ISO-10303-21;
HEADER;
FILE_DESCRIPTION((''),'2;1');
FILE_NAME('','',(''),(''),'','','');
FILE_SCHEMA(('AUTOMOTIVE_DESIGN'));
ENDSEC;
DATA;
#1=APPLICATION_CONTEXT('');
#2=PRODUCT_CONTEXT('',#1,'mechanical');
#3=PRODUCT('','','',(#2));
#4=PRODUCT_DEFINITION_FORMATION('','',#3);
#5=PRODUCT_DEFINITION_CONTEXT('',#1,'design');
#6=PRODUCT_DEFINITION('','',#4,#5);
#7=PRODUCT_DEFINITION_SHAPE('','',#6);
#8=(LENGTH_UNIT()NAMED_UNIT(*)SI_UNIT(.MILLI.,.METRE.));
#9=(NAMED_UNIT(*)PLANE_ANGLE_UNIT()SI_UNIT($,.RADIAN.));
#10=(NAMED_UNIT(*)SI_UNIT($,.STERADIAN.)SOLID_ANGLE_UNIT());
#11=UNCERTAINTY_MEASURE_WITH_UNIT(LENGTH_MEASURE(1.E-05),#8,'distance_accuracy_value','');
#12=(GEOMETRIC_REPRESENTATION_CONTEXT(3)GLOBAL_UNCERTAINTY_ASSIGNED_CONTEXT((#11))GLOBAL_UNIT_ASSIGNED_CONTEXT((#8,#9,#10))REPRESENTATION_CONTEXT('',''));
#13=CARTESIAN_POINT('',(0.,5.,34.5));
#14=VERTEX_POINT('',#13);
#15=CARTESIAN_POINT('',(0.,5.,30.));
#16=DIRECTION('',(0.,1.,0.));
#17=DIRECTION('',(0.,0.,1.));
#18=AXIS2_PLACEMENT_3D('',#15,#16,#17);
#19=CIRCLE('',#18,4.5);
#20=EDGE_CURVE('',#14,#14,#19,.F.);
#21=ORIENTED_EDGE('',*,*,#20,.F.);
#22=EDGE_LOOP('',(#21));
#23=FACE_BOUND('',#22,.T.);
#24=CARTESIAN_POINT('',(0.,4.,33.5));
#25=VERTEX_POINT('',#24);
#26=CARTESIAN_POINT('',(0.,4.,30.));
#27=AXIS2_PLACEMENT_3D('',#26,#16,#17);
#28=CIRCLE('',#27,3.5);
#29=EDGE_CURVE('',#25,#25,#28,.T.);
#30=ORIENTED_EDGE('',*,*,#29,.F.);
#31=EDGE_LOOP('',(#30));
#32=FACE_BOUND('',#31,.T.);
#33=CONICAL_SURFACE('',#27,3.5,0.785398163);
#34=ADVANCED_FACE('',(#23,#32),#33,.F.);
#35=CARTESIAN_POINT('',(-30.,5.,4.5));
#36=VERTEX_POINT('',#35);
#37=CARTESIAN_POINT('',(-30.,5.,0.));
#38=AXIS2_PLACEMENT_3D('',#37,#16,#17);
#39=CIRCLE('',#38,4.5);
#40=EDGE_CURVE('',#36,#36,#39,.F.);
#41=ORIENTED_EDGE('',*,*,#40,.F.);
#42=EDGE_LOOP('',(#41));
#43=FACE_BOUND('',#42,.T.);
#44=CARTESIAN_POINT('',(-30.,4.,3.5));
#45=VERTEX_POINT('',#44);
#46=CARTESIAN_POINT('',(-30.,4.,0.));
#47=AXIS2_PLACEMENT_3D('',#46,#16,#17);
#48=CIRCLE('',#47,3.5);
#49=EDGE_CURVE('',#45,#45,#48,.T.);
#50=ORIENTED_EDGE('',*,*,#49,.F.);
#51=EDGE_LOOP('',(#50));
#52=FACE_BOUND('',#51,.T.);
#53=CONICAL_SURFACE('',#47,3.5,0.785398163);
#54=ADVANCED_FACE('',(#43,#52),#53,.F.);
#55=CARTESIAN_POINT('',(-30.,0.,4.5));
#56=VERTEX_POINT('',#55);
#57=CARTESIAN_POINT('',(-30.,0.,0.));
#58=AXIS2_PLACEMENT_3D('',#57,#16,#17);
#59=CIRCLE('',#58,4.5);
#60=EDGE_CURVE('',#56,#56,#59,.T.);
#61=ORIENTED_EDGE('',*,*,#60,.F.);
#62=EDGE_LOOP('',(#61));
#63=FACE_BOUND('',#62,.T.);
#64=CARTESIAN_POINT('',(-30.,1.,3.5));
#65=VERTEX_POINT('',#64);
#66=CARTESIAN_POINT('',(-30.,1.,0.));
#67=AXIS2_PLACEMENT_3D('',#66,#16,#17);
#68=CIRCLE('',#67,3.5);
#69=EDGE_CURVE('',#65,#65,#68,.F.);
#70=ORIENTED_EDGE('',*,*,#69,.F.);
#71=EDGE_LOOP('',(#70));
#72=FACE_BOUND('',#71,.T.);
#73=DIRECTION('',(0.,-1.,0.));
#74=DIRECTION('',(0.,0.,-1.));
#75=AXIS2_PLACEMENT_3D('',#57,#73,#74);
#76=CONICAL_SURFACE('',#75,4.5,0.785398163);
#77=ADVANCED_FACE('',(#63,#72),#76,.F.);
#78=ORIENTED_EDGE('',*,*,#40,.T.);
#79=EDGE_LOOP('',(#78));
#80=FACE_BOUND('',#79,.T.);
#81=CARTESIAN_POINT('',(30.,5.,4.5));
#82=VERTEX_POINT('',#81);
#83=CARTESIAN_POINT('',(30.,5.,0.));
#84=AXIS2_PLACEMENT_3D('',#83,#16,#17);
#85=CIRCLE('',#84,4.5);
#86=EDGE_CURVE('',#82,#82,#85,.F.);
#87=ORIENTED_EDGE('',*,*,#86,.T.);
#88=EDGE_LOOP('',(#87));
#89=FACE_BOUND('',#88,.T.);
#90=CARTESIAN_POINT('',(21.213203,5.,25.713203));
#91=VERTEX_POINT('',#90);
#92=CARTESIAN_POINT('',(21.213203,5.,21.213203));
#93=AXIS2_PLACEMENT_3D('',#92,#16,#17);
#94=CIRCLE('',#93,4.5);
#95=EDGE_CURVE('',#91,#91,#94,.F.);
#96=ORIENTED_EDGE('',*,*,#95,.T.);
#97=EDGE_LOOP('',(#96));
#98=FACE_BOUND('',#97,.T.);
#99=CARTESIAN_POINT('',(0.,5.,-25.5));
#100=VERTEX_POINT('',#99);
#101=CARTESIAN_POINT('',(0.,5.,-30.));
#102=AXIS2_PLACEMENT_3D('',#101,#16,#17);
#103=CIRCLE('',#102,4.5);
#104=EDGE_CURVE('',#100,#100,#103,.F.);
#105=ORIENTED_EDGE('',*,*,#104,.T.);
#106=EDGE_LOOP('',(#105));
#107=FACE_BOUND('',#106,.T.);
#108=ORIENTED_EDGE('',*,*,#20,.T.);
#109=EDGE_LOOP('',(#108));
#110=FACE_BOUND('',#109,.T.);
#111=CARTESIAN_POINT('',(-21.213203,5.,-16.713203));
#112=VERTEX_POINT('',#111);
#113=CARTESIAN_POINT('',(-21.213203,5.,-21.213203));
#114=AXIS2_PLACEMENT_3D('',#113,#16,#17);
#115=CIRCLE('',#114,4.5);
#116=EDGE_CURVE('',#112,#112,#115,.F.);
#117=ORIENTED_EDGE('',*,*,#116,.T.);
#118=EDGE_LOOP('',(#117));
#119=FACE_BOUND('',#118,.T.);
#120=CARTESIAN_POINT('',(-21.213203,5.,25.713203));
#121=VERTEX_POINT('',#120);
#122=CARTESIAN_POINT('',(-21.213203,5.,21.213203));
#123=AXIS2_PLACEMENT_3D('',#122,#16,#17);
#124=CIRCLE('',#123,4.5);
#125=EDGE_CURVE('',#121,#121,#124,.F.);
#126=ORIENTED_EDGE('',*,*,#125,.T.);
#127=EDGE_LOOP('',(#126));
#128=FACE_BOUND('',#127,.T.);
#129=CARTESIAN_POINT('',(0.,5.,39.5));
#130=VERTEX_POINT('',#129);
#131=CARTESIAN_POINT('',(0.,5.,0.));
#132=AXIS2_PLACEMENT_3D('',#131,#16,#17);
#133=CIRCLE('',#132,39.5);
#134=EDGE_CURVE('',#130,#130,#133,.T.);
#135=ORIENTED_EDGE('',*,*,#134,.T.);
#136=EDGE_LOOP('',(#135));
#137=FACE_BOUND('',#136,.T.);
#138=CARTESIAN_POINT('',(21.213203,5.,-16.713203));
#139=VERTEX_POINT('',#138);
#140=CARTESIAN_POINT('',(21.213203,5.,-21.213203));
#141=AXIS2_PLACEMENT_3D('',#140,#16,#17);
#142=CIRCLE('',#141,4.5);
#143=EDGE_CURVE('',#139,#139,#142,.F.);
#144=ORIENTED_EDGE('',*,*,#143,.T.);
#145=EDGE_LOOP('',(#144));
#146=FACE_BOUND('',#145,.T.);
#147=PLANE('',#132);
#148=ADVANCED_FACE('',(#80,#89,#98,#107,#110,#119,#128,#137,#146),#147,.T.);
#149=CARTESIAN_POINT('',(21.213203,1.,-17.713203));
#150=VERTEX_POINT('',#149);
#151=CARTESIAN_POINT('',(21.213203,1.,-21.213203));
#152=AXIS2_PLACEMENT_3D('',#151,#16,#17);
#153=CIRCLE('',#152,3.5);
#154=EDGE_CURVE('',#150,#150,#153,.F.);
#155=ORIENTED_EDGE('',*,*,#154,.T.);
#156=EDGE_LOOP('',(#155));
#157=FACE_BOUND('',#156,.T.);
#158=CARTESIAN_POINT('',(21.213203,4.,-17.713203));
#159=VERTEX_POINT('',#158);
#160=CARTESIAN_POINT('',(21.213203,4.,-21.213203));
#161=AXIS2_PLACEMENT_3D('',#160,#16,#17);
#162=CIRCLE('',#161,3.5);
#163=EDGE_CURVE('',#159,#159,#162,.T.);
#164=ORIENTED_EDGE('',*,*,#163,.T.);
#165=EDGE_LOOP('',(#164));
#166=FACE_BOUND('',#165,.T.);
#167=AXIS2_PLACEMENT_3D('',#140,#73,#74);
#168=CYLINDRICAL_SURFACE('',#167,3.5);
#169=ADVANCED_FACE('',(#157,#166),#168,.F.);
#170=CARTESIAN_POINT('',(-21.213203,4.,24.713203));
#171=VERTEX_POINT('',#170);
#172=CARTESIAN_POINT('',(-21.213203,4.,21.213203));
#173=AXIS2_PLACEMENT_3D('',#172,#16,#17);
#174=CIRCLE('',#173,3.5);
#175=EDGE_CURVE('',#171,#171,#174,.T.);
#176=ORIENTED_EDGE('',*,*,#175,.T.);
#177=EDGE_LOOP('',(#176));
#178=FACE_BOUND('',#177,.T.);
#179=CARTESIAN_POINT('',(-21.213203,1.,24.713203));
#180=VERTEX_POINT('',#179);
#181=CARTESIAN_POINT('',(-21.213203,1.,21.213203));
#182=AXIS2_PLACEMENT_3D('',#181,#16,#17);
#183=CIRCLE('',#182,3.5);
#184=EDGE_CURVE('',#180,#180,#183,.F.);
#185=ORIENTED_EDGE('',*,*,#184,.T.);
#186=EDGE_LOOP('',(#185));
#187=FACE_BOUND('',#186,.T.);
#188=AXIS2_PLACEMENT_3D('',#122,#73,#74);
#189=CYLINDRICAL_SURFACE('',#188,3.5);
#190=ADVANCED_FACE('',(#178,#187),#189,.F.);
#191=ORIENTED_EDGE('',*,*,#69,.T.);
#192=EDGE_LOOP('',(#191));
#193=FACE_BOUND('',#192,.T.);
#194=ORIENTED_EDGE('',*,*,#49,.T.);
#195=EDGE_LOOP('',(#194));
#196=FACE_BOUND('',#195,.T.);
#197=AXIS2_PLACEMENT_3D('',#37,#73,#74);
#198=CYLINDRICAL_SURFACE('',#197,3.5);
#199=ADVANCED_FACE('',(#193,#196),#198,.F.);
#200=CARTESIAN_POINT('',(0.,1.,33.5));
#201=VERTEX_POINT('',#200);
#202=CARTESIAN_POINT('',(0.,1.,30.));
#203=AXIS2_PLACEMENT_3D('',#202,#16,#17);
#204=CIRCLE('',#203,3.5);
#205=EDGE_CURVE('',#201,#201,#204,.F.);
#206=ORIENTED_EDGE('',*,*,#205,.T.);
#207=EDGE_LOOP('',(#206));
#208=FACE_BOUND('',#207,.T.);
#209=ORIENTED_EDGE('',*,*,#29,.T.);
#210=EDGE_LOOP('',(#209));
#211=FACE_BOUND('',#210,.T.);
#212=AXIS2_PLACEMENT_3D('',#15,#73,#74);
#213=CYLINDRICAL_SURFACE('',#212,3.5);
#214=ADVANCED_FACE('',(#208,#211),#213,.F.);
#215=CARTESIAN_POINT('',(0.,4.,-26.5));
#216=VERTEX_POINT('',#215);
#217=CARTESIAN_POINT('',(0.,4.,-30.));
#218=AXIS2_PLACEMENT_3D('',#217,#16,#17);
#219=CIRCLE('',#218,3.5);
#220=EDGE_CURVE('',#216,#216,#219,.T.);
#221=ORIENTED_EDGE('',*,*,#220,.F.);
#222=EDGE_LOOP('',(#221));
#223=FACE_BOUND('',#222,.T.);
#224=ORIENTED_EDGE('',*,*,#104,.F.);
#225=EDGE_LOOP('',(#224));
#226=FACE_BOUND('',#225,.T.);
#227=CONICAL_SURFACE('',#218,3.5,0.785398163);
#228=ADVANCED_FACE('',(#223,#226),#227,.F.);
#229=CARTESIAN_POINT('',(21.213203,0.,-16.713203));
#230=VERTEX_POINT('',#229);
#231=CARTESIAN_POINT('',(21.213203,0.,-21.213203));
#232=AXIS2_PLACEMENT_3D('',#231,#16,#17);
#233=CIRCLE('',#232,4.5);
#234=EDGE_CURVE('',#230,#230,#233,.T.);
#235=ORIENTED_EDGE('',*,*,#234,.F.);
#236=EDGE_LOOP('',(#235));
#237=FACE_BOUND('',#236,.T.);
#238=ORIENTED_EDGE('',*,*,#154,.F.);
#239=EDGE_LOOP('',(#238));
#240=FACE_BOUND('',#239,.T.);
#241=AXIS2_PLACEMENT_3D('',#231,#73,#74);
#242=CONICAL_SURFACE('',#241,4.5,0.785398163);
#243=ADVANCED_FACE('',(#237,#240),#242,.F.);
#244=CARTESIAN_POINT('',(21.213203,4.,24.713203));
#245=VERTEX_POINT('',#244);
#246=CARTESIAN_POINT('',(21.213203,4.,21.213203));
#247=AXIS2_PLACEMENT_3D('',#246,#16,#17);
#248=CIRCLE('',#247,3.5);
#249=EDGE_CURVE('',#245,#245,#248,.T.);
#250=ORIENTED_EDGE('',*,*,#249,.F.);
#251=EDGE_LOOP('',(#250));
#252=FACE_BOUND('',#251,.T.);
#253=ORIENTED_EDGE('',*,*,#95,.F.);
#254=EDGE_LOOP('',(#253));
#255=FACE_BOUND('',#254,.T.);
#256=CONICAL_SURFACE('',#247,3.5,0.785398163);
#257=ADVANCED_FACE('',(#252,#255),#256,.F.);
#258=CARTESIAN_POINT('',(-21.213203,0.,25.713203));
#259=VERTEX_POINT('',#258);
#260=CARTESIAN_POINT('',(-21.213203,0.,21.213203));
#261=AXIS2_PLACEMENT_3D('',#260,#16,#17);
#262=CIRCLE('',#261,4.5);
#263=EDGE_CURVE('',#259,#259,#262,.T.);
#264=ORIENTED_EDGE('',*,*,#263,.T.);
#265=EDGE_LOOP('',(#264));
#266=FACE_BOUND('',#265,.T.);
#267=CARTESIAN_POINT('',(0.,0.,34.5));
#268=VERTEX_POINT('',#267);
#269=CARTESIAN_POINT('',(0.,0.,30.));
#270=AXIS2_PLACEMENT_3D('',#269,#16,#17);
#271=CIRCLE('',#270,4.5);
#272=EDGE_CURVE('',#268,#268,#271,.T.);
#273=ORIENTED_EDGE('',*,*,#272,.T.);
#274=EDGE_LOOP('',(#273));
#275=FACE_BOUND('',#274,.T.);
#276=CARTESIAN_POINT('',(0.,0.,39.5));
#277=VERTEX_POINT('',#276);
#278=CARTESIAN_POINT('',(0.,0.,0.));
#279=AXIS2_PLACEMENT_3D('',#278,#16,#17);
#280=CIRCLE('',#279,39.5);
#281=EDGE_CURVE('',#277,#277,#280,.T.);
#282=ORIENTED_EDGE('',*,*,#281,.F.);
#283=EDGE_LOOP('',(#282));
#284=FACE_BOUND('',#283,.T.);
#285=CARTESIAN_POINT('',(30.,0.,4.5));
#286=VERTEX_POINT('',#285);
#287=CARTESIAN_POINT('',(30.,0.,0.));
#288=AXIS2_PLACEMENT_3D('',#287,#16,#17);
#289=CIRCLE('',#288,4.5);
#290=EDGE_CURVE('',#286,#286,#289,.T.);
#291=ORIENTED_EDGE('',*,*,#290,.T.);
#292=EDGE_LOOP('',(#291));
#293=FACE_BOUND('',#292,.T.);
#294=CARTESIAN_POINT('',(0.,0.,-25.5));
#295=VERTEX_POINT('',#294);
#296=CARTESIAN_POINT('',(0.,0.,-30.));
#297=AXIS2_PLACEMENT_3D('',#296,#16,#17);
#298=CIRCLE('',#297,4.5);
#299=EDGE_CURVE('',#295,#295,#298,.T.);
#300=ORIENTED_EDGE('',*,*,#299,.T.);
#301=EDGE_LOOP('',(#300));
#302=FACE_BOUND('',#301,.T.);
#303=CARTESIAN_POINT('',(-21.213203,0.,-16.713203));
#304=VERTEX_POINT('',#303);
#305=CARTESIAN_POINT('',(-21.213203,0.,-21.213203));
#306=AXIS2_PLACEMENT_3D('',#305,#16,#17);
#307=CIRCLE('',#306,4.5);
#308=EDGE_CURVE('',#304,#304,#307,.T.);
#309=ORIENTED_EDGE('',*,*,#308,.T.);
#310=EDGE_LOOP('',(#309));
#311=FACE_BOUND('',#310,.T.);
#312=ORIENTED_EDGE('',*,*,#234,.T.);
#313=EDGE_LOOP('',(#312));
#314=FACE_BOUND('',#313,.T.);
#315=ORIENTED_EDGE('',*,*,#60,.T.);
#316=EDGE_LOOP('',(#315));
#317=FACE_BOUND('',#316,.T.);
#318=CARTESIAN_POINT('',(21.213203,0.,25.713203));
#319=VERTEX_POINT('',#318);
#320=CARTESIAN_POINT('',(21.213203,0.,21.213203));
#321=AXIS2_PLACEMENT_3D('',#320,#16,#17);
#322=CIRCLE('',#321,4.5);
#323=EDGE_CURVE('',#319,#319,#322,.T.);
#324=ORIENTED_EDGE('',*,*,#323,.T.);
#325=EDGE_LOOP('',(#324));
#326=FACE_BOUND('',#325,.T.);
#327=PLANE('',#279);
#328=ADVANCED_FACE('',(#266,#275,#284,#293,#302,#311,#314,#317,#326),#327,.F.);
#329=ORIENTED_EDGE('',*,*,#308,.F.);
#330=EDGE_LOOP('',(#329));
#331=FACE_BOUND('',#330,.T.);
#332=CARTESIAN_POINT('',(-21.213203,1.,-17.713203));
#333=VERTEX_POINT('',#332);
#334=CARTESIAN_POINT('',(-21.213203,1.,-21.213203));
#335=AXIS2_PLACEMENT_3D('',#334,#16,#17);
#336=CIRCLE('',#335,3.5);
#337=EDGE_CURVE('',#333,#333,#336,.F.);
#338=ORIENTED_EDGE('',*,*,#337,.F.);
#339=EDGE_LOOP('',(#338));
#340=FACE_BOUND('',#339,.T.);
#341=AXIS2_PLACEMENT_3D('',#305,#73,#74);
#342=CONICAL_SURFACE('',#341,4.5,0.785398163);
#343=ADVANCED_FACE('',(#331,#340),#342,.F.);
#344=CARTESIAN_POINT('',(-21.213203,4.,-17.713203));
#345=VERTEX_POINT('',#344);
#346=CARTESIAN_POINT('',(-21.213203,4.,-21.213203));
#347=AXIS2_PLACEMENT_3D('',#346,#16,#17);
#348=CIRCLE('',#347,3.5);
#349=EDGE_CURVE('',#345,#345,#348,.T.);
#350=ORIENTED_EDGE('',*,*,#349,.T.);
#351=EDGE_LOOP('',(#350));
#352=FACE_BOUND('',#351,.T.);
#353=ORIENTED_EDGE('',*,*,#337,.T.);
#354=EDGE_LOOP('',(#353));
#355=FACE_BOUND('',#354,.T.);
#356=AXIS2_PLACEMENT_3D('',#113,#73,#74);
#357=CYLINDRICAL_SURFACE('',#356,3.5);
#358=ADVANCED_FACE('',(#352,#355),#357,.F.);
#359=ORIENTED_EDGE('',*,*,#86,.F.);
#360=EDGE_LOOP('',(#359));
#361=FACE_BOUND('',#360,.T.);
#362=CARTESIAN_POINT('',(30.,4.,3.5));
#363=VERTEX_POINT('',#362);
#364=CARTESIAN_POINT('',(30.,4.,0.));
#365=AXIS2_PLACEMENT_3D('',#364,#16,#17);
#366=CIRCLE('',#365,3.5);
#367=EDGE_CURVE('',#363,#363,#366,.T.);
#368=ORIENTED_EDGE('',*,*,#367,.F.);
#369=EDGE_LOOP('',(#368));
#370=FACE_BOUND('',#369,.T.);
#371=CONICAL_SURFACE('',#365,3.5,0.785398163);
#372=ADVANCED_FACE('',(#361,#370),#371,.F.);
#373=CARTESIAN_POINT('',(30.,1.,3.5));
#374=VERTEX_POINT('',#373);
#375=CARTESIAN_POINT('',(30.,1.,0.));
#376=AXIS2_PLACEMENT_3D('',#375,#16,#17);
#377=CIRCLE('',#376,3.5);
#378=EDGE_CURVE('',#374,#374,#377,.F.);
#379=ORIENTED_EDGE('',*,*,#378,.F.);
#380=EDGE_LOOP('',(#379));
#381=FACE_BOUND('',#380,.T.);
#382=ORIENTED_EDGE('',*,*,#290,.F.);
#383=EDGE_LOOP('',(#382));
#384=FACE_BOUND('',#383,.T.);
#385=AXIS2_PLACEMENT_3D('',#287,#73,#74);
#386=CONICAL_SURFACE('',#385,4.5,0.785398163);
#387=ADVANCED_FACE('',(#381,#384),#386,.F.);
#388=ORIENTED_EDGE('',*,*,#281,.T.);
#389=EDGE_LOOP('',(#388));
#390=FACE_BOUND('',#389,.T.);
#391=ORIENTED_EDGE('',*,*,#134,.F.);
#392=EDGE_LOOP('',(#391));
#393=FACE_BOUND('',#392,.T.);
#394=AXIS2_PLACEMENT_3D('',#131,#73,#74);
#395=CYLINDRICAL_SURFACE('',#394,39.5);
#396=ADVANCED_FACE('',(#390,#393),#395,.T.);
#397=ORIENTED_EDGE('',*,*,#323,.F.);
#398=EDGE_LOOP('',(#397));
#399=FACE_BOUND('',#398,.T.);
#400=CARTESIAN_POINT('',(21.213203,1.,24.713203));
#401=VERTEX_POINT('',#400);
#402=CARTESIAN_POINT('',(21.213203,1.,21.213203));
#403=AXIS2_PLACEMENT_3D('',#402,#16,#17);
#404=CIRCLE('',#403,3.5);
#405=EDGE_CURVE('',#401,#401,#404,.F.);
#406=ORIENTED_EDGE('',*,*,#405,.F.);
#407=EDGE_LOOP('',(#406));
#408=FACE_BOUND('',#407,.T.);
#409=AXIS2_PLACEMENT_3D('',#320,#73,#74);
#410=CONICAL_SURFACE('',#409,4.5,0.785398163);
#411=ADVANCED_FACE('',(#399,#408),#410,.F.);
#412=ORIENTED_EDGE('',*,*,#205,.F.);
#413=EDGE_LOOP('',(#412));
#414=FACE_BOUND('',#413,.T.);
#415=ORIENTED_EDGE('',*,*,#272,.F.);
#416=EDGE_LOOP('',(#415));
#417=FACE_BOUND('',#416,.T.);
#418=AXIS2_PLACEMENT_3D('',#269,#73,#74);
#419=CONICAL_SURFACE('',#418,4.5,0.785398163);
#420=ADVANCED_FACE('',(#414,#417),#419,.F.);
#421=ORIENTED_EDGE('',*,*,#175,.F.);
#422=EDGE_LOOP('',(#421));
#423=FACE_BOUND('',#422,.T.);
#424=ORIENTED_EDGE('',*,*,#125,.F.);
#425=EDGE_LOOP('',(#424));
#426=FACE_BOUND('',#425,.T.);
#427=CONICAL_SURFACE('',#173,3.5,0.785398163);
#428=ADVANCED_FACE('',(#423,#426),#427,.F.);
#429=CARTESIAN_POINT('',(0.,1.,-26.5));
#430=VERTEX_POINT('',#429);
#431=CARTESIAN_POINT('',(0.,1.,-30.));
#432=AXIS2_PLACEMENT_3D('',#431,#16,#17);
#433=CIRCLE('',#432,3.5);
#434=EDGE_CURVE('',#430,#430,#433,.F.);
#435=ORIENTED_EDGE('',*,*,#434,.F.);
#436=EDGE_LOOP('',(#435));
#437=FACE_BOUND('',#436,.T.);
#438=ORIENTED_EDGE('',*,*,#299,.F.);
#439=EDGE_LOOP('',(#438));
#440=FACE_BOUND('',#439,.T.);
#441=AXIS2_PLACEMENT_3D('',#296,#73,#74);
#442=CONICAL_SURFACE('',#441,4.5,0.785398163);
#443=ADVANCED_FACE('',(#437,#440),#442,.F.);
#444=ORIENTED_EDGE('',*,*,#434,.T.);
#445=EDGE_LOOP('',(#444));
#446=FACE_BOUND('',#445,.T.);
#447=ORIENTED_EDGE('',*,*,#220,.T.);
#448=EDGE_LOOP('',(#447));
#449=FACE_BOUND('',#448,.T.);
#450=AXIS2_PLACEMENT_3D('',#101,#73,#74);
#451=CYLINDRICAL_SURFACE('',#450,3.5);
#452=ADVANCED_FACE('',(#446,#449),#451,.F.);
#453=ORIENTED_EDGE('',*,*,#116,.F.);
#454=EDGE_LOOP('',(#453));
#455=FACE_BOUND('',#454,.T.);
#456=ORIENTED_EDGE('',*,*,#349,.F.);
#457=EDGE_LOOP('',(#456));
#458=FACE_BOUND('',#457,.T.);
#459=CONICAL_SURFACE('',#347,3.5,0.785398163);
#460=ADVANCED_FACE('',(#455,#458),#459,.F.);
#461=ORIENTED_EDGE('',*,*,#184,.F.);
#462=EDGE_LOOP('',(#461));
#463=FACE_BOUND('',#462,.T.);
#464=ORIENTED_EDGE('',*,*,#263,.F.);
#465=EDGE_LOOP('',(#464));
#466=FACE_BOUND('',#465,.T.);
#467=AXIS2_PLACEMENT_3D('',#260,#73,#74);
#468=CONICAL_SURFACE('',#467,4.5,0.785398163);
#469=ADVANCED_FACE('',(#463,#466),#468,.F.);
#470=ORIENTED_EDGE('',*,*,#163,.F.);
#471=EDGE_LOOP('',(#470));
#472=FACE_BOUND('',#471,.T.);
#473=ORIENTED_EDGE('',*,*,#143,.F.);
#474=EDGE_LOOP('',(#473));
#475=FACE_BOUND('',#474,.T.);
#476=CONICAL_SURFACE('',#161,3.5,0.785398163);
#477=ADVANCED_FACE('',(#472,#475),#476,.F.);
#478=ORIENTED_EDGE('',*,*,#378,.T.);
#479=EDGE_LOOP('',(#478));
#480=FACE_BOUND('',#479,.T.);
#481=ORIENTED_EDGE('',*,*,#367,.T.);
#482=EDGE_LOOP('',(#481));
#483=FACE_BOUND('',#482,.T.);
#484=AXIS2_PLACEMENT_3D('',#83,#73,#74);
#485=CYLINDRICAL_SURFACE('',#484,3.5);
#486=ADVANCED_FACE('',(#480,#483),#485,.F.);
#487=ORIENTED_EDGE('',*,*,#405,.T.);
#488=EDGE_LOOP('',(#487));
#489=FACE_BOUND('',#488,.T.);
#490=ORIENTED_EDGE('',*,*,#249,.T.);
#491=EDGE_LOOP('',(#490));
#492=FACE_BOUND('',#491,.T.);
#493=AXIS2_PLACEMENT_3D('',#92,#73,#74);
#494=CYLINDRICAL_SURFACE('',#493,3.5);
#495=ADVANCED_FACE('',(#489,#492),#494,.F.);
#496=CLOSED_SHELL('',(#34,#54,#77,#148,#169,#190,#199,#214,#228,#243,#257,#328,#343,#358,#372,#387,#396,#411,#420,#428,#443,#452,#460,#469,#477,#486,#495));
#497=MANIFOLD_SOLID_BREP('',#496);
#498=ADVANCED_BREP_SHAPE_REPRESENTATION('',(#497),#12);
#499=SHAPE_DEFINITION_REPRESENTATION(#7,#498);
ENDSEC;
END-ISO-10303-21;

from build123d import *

# Parameters (mm, degrees)
ESBO_O1_R                = 39.5
ESBO_O1_R_2              = 3.5
RESSALTO_EXTRUS_O1_DEPTH = 5
CHANFRO1_SIZE            = 1


with BuildPart() as part:
    # Esboço1 → Ressalto-extrusão1 (new body)
    with BuildSketch(Plane(origin=(0, 0, 0), x_dir=(1, 0, 0), z_dir=(0, 1, 0))):
        with Locations(Location((0, 0, 0), (0, 0, 270))):
            Circle(ESBO_O1_R)
        with Locations(Location((-21.213203436, 21.213203436, 0), (0, 0, 270))):
            Circle(ESBO_O1_R_2, mode=Mode.SUBTRACT)
        with Locations(Location((-21.213203436, -21.213203436, 0), (0, 0, 270))):
            Circle(ESBO_O1_R_2, mode=Mode.SUBTRACT)
        with Locations(Location((21.213203436, -21.213203436, 0), (0, 0, 270))):
            Circle(ESBO_O1_R_2, mode=Mode.SUBTRACT)
        with Locations(Location((21.213203436, 21.213203436, 0), (0, 0, 270))):
            Circle(ESBO_O1_R_2, mode=Mode.SUBTRACT)
        with Locations(Location((-30, 0, 0), (0, 0, 270))):
            Circle(ESBO_O1_R_2, mode=Mode.SUBTRACT)
        with Locations(Location((0, -30, 0), (0, 0, 270))):
            Circle(ESBO_O1_R_2, mode=Mode.SUBTRACT)
        with Locations(Location((30, 0, 0), (0, 0, 270))):
            Circle(ESBO_O1_R_2, mode=Mode.SUBTRACT)
        with Locations(Location((0, 30, 0), (0, 0, 270))):
            Circle(ESBO_O1_R_2, mode=Mode.SUBTRACT)
    extrude(amount=RESSALTO_EXTRUS_O1_DEPTH)

    # Chanfro1
    chanfro1_edges = [part.edges().sort_by_distance(p)[0] for p in [
        (0, 0, -33.5),
        (30, 0, -3.5),
        (-21.213203436, 5, -24.713203436),
        (0, 0, 26.5),
        (-30, 0, -3.5),
        (21.213203436, 0, -24.713203436),
        (21.213203436, 0, 17.713203436),
        (-21.213203436, 0, 17.713203436),
        (-21.213203436, 0, -24.713203436),
        (-21.213203436, 5, 17.713203436),
        (21.213203436, 5, 17.713203436),
        (21.213203436, 5, -24.713203436),
        (-30, 5, -3.5),
        (0, 5, 26.5),
        (30, 5, -3.5),
        (0, 5, -33.5),
    ]]
    chamfer(chanfro1_edges, length=CHANFRO1_SIZE)


solid = part.part
